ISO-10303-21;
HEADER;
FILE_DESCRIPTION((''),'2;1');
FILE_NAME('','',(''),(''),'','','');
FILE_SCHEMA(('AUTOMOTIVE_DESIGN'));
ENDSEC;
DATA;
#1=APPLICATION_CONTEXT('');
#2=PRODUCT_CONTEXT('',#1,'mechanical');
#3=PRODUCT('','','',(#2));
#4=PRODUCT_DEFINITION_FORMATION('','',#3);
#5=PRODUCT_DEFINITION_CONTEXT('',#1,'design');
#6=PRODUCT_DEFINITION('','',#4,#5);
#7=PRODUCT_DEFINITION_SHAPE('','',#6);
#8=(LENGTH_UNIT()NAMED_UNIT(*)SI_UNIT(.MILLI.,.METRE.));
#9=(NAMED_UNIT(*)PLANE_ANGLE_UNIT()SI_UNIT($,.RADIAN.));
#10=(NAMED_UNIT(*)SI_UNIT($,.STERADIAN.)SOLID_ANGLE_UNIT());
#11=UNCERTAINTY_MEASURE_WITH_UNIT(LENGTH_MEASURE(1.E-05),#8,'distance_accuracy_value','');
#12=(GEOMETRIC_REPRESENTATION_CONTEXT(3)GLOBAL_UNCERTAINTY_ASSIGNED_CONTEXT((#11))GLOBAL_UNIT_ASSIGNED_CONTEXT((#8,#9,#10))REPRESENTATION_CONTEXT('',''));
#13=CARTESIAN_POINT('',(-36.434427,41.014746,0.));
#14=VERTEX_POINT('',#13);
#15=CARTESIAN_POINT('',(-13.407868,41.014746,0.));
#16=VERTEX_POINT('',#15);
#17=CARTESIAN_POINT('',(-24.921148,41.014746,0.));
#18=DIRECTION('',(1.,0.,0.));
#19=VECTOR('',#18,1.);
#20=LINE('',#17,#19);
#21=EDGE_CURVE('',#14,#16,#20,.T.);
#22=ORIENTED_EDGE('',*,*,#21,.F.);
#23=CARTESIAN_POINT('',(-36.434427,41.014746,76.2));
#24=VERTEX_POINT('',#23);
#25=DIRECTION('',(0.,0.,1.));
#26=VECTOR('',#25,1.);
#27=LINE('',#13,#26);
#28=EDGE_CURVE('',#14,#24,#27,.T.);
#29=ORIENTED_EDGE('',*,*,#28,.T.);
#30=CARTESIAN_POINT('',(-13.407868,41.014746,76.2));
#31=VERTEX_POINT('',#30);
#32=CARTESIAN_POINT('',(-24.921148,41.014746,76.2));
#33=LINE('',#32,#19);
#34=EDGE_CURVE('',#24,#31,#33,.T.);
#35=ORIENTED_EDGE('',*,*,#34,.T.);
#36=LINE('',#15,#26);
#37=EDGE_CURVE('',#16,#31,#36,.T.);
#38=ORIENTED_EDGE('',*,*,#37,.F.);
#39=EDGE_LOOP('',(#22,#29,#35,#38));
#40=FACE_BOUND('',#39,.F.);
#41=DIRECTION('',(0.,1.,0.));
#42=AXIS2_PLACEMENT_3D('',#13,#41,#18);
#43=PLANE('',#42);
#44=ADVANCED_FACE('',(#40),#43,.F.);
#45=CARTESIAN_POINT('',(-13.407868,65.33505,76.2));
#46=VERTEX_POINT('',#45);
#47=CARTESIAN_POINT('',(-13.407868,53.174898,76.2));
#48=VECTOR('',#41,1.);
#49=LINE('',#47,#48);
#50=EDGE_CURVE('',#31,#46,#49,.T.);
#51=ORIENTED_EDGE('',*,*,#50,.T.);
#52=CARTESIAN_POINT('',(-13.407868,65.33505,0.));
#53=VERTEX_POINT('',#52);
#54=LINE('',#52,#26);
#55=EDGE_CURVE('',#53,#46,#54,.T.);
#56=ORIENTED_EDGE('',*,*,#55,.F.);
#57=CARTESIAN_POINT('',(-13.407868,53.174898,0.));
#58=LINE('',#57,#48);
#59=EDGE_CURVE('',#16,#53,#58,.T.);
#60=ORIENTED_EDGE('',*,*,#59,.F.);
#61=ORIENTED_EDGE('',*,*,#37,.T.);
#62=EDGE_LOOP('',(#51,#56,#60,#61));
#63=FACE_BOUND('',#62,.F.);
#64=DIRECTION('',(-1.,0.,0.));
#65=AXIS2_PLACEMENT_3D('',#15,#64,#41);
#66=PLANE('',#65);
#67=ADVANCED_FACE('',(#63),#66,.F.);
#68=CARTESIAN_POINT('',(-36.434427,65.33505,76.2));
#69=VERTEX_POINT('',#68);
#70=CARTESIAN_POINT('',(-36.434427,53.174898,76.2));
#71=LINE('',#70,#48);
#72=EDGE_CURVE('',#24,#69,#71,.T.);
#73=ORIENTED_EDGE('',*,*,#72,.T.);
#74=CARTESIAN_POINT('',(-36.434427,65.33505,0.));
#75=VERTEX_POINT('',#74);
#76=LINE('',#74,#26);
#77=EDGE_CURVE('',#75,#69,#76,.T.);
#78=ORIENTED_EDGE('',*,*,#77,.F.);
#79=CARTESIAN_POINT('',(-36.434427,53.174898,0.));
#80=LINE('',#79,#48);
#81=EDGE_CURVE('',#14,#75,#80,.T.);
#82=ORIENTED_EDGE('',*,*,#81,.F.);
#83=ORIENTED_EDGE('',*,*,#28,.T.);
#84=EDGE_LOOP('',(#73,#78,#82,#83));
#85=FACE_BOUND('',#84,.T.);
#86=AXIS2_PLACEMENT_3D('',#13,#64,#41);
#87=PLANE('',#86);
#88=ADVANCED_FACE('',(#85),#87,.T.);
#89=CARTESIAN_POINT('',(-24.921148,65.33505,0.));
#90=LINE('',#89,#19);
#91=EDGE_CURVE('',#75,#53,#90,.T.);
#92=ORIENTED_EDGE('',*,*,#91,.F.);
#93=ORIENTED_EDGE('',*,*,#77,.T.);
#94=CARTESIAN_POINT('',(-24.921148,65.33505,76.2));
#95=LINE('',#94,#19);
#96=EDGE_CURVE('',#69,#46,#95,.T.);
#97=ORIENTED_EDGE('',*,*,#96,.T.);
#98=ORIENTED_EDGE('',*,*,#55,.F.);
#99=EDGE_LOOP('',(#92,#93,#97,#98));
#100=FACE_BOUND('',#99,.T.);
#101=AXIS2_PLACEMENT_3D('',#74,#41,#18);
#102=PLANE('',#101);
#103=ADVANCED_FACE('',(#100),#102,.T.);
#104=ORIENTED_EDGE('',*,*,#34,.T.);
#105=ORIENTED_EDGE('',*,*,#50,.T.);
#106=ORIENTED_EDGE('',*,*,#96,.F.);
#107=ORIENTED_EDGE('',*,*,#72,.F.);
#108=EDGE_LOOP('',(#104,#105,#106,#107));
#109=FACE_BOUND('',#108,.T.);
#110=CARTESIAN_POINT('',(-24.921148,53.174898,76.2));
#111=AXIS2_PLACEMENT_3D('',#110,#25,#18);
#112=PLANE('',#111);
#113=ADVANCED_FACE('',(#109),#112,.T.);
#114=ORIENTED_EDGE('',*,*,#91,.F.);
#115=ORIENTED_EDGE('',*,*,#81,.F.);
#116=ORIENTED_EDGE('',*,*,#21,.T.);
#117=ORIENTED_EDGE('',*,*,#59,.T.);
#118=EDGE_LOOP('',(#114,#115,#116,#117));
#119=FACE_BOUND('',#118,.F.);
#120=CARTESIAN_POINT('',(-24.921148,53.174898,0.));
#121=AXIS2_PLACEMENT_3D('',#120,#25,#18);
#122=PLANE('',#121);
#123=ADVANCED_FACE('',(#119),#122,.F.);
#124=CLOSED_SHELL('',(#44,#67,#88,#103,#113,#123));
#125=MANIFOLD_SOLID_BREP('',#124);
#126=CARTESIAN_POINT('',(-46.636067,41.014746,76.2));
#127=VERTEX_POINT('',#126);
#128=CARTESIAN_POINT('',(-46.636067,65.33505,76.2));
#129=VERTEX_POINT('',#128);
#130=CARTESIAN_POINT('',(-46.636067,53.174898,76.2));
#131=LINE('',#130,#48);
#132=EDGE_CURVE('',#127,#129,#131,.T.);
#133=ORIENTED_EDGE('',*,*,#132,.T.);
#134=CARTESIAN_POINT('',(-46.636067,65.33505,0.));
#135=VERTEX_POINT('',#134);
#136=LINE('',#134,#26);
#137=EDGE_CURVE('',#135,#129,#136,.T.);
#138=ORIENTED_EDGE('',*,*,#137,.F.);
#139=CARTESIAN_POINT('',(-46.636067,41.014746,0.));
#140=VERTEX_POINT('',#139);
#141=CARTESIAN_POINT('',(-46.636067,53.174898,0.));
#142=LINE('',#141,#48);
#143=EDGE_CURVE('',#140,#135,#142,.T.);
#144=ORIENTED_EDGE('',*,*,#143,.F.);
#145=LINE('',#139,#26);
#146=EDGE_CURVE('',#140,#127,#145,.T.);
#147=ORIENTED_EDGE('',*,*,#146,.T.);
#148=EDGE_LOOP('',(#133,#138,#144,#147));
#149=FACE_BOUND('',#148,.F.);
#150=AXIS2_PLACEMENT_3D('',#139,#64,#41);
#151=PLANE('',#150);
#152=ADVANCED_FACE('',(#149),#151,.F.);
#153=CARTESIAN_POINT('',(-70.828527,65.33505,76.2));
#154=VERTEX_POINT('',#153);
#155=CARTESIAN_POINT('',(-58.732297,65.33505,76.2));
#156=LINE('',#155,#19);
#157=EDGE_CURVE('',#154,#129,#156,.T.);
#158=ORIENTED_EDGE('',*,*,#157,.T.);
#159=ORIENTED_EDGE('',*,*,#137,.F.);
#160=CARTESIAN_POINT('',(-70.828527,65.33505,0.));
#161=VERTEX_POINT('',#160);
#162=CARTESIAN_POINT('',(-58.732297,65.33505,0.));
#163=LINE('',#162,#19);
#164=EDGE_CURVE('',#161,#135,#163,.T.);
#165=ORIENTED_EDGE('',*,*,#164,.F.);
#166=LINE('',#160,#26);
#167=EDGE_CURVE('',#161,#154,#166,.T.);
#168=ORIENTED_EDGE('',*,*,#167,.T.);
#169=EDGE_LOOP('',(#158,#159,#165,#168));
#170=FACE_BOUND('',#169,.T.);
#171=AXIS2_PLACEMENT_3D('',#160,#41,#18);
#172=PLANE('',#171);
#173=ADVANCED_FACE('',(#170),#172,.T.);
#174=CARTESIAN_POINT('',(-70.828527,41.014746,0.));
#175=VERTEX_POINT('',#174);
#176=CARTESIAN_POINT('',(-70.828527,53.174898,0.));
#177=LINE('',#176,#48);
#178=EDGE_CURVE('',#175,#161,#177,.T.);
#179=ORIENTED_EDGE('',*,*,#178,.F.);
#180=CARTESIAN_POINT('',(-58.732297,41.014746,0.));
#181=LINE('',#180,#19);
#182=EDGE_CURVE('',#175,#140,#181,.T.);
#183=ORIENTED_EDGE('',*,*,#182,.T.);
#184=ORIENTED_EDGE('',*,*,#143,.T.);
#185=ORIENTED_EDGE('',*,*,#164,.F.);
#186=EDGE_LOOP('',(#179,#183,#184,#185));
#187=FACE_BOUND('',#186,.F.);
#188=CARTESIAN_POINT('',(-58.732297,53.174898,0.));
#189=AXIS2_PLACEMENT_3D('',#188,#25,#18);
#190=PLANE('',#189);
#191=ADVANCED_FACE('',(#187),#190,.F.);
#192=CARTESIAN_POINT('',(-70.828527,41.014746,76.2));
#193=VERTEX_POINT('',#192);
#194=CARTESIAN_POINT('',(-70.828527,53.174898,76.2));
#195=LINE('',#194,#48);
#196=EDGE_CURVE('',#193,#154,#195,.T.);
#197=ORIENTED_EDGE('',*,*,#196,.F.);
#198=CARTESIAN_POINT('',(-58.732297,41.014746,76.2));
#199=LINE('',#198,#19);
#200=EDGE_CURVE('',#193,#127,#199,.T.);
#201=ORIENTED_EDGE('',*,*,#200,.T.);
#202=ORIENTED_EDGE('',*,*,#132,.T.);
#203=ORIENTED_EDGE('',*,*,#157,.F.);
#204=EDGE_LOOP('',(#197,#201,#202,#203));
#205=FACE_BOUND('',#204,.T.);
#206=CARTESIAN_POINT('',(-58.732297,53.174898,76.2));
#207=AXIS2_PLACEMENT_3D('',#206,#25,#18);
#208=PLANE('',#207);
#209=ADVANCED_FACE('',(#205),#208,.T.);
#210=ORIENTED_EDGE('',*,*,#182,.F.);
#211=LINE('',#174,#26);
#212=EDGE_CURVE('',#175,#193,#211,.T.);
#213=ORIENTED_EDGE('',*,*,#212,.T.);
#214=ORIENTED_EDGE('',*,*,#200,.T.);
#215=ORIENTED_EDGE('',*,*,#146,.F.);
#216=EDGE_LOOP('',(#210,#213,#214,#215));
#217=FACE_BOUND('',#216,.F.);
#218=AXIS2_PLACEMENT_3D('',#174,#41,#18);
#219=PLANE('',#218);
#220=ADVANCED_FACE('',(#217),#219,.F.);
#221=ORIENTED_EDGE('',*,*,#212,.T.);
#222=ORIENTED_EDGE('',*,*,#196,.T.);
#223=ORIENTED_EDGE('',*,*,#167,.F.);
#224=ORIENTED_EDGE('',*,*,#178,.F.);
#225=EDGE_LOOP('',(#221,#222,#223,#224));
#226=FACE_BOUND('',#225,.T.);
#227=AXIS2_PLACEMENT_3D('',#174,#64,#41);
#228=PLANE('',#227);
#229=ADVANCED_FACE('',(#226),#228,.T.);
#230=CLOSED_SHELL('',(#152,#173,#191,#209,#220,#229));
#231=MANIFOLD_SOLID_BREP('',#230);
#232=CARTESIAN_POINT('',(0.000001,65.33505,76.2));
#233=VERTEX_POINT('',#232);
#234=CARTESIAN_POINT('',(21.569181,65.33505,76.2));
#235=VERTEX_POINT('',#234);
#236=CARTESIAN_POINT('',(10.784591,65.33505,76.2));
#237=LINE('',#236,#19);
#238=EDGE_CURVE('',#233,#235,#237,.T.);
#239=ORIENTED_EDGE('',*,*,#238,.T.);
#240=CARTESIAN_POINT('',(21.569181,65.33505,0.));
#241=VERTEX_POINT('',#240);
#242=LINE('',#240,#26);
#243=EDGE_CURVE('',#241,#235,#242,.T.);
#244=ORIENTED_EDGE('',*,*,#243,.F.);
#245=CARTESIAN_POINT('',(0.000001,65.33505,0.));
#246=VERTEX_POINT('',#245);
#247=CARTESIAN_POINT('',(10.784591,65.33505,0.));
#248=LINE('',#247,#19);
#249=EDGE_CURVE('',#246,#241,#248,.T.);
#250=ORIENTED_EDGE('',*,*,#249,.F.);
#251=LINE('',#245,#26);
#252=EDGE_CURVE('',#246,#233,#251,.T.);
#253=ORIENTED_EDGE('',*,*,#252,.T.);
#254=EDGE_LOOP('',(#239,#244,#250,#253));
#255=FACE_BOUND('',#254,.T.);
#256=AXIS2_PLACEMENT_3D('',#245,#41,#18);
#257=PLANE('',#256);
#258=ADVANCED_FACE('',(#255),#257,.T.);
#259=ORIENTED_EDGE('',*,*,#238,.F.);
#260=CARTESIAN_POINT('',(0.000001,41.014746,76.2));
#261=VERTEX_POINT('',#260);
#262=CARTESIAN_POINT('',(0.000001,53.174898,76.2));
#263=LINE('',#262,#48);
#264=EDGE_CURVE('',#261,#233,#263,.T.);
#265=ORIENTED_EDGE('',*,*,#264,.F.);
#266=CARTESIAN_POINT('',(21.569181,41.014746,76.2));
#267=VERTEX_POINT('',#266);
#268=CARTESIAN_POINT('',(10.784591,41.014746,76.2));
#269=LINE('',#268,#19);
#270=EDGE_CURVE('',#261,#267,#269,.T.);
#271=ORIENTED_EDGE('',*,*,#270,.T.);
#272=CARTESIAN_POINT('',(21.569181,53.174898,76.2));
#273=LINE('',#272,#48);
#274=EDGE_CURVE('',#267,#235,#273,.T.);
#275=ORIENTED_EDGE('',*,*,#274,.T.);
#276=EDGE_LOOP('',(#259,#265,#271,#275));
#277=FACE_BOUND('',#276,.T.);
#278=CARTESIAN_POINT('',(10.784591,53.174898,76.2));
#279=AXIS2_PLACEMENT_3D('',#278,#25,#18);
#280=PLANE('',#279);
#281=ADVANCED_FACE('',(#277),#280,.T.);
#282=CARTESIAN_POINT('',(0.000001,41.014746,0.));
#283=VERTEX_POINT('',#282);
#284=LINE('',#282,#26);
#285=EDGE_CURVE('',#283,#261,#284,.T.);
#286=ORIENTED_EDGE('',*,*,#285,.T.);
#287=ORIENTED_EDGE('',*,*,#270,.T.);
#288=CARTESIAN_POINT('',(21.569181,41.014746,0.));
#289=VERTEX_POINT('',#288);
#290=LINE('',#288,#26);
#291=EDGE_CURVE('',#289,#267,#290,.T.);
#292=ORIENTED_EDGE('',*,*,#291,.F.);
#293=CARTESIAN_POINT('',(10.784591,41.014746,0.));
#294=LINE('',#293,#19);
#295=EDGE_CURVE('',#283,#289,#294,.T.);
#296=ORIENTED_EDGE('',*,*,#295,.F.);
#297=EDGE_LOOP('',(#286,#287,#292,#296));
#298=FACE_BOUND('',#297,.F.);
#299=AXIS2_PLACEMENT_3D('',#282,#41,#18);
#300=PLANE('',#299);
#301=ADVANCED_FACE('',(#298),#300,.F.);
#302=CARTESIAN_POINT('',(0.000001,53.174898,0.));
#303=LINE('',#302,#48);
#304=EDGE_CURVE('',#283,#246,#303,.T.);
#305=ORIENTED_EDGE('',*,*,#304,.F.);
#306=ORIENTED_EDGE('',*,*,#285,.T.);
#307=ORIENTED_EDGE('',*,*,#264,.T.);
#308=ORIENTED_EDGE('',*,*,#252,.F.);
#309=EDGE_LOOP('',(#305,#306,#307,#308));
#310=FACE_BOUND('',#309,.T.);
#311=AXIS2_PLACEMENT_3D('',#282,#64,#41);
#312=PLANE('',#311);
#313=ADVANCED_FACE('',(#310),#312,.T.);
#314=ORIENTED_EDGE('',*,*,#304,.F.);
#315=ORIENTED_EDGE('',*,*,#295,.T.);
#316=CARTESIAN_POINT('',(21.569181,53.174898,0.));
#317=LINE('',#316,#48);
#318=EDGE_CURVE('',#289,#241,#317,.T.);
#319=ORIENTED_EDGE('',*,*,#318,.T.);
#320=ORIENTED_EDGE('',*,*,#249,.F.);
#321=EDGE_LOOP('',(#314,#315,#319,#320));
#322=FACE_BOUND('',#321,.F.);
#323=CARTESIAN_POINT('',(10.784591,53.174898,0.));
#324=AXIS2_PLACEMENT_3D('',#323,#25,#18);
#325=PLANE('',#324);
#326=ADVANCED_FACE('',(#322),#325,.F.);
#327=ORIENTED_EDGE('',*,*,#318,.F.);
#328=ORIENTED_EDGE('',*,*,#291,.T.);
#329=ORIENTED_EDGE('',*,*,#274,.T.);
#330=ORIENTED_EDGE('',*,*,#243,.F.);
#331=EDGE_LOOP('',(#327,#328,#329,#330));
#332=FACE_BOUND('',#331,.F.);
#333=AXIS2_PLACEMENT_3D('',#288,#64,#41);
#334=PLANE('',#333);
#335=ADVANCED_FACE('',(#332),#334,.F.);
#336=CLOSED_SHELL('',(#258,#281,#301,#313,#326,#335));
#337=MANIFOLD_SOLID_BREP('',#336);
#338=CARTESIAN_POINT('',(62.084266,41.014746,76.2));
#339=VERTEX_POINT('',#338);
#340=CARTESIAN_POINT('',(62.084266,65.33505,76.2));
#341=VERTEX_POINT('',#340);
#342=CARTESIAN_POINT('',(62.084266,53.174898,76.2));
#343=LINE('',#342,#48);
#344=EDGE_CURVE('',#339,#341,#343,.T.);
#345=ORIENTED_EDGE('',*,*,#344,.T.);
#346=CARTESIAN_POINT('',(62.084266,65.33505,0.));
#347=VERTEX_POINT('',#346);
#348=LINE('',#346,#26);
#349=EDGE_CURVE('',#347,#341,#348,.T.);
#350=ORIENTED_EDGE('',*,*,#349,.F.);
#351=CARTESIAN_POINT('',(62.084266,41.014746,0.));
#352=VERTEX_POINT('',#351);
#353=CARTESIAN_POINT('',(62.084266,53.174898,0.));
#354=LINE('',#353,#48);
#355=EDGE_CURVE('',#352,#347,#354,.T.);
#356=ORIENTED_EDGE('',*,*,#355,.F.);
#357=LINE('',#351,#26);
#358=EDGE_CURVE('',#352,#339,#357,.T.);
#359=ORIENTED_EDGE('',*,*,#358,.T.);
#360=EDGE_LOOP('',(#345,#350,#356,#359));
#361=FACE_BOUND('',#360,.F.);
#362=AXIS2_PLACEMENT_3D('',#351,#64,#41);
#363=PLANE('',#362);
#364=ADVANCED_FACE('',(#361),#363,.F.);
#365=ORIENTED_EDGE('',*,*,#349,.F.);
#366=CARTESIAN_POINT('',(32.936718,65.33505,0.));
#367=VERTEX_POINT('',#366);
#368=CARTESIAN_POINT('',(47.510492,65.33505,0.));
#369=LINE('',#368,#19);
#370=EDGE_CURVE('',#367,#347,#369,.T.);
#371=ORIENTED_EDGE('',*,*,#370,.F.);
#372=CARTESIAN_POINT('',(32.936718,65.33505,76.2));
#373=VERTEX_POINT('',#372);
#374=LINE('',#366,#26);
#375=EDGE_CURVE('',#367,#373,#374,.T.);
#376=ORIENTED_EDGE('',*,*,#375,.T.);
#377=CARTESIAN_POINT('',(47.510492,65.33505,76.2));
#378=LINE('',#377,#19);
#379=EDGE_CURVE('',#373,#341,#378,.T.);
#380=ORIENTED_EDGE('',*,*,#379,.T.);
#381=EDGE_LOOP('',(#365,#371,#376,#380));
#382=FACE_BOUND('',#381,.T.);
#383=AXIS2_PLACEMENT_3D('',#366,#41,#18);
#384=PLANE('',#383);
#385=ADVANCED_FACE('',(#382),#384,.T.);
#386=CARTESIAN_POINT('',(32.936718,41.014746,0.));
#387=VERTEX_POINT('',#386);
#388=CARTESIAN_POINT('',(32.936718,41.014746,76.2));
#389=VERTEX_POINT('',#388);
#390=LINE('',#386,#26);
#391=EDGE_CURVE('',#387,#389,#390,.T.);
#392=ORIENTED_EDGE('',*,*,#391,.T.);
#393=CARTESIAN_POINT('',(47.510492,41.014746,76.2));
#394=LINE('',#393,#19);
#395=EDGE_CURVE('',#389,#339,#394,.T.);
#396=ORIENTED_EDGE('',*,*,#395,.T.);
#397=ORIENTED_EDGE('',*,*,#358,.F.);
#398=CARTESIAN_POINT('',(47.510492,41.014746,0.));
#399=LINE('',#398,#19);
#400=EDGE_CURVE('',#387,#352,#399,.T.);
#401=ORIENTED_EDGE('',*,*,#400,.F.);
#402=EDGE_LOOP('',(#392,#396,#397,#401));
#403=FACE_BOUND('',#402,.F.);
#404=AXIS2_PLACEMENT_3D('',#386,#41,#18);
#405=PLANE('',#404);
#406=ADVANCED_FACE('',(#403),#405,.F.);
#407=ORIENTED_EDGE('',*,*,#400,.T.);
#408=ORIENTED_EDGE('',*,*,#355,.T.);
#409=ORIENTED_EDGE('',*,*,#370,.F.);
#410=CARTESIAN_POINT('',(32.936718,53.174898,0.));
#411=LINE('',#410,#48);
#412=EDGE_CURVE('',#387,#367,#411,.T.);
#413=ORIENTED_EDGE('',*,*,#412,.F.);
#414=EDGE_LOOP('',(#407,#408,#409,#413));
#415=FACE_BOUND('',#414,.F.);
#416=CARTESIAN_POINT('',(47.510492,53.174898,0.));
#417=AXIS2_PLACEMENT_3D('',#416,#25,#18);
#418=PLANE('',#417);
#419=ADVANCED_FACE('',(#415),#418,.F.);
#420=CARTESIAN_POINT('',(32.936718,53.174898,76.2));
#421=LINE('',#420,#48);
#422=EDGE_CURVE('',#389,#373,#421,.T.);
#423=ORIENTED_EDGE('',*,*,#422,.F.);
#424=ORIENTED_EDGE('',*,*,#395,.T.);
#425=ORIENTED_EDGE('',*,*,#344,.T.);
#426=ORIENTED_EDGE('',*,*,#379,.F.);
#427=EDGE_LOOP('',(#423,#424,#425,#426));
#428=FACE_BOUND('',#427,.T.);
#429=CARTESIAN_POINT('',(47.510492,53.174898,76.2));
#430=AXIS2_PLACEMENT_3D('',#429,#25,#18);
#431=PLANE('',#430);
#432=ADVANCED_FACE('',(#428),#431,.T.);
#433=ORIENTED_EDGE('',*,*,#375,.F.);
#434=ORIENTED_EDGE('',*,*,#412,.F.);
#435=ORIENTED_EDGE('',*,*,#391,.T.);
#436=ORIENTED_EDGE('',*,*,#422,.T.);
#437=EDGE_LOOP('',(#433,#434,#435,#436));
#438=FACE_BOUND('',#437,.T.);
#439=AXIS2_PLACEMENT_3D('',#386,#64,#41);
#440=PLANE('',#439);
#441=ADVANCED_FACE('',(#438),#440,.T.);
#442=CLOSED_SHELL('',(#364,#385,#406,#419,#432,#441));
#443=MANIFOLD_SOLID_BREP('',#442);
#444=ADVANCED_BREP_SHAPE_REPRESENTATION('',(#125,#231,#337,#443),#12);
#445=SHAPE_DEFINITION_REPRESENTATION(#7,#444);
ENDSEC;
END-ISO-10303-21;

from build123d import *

# Parameters (mm, degrees)
F0_W     = 24.19246
F0_H     = 24.320304
F0_W_2   = 23.026559
F0_W_3   = 21.569181
F0_W_4   = 29.147547
F1_DEPTH = 76.2


with BuildPart() as f1:
    # F0 (on Top) → F1 (new body)
    with BuildSketch(Plane.XY):
        with Locations((-58.732297, 53.174898)):
            Rectangle(F0_W, F0_H)
        with Locations((-24.921148, 53.174898)):
            Rectangle(F0_W_2, F0_H)
        with Locations((10.784591, 53.174898)):
            Rectangle(F0_W_3, F0_H)
        with Locations((47.510492, 53.174898)):
            Rectangle(F0_W_4, F0_H)
    extrude(amount=F1_DEPTH)


solid = f1.part
